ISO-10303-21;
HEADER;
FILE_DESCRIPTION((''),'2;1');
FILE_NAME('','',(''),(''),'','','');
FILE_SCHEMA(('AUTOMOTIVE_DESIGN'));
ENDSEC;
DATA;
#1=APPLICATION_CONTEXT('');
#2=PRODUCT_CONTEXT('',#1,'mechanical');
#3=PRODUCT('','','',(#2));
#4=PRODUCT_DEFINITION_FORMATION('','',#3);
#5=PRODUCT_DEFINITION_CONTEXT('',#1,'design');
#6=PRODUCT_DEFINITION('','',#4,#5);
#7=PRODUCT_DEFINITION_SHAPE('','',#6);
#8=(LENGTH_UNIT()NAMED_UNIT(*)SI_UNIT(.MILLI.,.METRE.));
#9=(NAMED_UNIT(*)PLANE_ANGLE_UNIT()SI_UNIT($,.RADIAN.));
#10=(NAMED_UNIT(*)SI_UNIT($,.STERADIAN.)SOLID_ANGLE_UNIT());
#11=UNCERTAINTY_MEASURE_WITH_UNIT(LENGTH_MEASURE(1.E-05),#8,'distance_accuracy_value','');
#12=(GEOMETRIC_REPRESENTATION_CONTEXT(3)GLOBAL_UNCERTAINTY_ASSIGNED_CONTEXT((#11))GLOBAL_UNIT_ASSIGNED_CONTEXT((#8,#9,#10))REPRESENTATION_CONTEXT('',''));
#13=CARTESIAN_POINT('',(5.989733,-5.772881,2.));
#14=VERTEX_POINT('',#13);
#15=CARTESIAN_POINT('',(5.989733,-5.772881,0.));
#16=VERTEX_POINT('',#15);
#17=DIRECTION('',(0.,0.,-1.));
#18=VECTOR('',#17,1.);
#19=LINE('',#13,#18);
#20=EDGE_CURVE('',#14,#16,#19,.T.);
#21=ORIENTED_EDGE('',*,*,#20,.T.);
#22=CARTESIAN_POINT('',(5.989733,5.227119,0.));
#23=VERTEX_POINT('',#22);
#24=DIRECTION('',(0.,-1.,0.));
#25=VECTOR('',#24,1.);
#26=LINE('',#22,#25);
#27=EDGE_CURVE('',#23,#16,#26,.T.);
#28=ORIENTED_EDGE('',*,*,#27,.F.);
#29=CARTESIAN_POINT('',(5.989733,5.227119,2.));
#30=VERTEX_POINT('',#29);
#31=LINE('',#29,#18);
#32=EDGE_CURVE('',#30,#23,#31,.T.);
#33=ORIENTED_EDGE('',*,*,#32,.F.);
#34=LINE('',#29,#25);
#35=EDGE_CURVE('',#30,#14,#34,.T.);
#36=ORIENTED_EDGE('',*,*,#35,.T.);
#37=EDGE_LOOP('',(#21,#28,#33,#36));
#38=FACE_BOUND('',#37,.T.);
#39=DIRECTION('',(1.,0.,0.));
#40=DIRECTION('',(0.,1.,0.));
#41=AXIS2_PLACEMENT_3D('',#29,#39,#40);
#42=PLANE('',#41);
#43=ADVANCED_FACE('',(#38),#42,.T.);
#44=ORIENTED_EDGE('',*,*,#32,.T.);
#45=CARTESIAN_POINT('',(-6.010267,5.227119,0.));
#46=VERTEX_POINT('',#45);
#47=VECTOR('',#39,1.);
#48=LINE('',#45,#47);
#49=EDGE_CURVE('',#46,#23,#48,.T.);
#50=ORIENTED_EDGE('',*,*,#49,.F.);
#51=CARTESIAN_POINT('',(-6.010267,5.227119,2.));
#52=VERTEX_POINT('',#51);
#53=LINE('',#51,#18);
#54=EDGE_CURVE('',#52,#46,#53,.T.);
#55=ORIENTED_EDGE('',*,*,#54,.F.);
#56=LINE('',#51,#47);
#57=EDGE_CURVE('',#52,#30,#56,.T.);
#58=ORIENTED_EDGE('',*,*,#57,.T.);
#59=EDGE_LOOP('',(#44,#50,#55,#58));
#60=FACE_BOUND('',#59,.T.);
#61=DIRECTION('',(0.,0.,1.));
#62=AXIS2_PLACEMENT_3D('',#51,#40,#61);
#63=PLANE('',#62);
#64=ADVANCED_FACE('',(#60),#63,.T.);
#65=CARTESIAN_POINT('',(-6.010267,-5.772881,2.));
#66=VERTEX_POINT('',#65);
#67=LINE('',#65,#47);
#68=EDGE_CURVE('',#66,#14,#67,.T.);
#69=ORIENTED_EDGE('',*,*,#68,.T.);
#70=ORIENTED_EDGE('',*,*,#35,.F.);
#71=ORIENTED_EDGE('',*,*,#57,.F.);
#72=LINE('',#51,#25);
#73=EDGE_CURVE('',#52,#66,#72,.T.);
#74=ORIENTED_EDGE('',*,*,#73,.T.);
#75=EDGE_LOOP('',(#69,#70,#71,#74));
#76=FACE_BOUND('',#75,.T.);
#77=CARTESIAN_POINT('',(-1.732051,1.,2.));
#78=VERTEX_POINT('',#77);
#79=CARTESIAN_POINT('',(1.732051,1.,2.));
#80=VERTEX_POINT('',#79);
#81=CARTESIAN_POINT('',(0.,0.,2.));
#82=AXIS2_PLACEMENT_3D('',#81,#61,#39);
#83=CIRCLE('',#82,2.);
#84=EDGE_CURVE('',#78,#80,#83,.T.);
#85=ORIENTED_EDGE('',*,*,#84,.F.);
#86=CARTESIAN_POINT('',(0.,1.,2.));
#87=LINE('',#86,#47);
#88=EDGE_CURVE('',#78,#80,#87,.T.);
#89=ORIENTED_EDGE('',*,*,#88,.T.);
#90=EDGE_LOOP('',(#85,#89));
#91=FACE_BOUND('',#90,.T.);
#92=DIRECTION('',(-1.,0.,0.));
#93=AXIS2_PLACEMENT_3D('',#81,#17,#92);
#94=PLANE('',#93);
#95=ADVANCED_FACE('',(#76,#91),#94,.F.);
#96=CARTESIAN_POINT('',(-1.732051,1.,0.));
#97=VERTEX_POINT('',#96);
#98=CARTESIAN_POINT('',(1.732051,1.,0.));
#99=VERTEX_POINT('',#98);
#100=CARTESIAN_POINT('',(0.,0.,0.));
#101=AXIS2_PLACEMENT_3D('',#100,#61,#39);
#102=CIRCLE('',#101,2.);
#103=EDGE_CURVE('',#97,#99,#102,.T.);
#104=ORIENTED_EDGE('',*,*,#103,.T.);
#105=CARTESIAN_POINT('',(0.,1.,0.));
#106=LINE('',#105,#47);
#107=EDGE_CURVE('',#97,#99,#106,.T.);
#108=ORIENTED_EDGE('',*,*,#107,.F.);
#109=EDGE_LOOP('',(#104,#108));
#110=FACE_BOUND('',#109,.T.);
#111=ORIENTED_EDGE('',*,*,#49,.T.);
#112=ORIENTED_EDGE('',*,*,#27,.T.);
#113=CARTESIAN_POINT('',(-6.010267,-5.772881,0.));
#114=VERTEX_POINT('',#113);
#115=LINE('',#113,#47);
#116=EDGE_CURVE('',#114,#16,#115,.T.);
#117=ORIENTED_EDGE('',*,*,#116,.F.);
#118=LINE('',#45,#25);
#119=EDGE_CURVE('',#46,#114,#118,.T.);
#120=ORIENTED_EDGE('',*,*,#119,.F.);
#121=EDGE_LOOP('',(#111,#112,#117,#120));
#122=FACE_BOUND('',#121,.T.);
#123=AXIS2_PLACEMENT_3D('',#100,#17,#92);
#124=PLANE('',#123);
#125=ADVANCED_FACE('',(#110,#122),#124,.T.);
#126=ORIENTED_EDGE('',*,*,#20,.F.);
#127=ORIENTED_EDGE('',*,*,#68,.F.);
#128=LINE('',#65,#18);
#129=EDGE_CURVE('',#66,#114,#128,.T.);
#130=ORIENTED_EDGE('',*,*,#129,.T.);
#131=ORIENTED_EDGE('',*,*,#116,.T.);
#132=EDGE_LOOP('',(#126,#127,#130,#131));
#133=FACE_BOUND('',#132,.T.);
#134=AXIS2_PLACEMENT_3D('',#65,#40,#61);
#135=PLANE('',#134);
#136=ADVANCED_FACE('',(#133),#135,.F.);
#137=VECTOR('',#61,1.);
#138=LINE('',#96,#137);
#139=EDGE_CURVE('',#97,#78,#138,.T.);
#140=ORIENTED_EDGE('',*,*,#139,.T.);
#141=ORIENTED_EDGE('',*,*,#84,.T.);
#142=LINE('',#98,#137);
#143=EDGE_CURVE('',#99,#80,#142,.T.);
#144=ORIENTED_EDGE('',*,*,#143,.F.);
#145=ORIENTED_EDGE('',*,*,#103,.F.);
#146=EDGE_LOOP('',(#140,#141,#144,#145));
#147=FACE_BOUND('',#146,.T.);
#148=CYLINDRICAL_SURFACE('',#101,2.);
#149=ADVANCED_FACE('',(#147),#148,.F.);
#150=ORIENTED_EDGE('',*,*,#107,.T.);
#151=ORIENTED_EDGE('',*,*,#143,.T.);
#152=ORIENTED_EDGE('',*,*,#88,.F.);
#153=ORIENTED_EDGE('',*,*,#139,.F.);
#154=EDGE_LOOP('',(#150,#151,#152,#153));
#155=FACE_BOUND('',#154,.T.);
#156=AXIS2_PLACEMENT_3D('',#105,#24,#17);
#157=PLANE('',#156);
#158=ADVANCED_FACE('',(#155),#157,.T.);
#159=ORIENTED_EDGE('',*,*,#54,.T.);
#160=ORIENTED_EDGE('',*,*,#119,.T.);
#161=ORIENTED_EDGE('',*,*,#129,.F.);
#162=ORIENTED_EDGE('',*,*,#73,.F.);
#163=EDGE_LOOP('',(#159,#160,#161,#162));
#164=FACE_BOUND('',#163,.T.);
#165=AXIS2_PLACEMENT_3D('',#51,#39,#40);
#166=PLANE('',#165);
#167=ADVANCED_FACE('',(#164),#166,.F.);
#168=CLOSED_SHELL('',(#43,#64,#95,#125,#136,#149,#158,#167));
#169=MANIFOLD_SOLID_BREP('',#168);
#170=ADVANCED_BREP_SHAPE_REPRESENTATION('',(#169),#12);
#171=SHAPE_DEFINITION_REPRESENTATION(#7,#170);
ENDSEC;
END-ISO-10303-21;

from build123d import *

# Parameters (mm, degrees)
SKETCH_1_W          = 12
SKETCH_1_H          = 11
EXTRUDE_1_DEPTH     = 2
CUT_EXTRUDE_2_DEPTH = 2


with BuildPart() as part:
    # 草图1 → 凸台-拉伸1 (new body)
    with BuildSketch(Plane.XY):
        with Locations((-0.010267275, -0.272881356)):
            Rectangle(SKETCH_1_W, SKETCH_1_H)
    extrude(amount=EXTRUDE_1_DEPTH)

    # 草图2 → 切除-拉伸2 (cut)
    with BuildSketch(Plane.XY.offset(2)):
        with BuildLine():
            Line((0, 1), (-1.732050808, 1))
            ThreePointArc((-1.732050808, 1), (-0.51763809, -1.931851653), (2, 0))
            ThreePointArc((2, 0), (1.931851653, 0.51763809), (1.732050808, 1))
            Line((1.732050808, 1), (0, 1))
        make_face()
    extrude(amount=-CUT_EXTRUDE_2_DEPTH, mode=Mode.SUBTRACT)


solid = part.part
